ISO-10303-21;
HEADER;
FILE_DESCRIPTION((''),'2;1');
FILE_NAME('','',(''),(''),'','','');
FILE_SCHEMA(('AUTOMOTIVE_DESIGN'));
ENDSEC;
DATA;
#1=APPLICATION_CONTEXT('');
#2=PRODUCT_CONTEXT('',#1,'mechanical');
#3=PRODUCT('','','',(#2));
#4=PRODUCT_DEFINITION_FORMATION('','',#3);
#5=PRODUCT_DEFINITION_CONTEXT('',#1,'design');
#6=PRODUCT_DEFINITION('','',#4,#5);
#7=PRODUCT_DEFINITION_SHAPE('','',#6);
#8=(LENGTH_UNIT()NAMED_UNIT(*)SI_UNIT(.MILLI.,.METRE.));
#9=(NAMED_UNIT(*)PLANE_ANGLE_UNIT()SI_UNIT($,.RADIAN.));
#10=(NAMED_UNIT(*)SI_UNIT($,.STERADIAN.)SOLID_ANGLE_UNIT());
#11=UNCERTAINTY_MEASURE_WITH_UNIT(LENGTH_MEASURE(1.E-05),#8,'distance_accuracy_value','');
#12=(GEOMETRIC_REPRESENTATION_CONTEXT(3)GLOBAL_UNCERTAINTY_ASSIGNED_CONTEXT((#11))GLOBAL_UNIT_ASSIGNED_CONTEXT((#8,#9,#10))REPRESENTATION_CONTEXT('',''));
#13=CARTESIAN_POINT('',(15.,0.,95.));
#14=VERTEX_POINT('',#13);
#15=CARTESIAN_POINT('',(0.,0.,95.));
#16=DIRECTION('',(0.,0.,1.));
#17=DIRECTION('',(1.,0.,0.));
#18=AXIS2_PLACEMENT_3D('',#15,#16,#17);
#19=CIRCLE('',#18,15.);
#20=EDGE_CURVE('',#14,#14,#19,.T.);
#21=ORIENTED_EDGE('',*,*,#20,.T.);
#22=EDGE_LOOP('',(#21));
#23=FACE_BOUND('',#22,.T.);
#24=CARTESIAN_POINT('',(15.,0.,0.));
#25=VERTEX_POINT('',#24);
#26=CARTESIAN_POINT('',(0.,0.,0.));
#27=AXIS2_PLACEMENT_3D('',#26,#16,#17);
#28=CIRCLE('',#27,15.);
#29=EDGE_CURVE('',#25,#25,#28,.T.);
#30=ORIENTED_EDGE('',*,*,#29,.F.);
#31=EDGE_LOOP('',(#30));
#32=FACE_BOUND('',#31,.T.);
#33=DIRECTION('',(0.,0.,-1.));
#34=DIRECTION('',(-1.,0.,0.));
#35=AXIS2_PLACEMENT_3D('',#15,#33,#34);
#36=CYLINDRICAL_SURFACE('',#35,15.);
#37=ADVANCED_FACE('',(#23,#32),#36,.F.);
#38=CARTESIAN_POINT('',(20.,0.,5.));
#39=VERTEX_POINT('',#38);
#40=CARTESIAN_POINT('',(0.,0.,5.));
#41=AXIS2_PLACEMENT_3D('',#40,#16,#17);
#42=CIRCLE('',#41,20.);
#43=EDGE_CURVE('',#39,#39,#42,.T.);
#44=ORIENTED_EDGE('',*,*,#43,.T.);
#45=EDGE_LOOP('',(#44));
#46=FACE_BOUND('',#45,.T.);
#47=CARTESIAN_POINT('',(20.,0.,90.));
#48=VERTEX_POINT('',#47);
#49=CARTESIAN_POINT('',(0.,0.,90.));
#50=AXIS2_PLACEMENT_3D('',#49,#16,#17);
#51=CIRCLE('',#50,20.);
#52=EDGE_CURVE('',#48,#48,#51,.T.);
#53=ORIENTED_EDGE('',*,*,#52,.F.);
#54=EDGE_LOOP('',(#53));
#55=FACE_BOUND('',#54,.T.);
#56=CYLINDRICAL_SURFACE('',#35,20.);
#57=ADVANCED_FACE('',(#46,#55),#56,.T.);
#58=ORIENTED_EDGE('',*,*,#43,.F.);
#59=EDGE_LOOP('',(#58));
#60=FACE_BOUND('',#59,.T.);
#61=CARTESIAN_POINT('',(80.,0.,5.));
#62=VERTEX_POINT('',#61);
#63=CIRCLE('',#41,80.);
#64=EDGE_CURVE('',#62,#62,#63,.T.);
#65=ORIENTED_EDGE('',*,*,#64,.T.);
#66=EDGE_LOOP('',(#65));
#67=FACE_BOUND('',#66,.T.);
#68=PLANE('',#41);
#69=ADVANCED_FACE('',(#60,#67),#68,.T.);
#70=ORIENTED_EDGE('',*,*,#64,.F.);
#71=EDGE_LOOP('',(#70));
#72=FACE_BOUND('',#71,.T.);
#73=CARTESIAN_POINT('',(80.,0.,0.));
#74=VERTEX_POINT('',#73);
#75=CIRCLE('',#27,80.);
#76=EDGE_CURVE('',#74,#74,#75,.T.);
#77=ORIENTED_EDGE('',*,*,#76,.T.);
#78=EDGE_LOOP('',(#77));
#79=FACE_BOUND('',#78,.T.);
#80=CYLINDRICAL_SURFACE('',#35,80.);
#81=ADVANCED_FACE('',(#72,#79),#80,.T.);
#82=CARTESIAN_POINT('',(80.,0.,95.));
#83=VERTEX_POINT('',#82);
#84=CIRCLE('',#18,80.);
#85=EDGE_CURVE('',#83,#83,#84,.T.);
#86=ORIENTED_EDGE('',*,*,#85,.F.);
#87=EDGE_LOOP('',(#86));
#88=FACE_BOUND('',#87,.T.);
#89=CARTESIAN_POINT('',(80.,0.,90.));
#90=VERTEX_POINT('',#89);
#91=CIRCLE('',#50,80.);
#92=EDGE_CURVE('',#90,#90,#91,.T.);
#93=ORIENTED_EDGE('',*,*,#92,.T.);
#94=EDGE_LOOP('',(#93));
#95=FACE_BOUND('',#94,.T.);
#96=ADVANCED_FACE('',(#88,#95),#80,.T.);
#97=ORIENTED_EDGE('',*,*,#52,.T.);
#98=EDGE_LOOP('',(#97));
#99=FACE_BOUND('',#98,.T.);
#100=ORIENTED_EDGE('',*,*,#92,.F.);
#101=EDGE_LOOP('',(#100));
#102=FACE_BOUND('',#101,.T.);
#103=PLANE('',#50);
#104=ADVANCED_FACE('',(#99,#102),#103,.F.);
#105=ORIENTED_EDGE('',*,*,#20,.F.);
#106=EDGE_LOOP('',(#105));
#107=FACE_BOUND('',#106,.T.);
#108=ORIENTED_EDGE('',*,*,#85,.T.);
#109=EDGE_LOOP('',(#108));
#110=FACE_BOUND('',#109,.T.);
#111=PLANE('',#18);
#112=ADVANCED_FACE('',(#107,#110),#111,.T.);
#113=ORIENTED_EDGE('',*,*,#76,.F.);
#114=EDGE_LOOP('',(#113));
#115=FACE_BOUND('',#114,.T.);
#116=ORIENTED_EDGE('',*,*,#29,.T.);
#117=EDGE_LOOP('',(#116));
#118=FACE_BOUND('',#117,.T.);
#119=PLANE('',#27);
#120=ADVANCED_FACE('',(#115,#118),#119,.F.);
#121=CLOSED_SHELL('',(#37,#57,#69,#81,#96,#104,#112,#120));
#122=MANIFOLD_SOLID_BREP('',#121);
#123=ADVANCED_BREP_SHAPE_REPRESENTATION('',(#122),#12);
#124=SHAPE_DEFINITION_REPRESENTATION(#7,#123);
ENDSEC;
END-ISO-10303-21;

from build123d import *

# Parameters (mm, degrees)
SKETCH1_R           = 80
SKETCH1_R_2         = 15
BOSS_EXTRUDE1_DEPTH = 95
SHELL1_T            = -5


with BuildPart() as part:
    # Sketch1 → Boss-Extrude1 (new body)
    with BuildSketch(Plane.XY):
        Circle(SKETCH1_R)
        Circle(SKETCH1_R_2, mode=Mode.SUBTRACT)
    extrude(amount=BOSS_EXTRUDE1_DEPTH)

    # Shell1
    shell1_openings = [part.faces().sort_by_distance(p)[0] for p in [
        (-80, 0, 47.5),
    ]]
    offset(amount=SHELL1_T, openings=shell1_openings, kind=Kind.INTERSECTION)


solid = part.part
